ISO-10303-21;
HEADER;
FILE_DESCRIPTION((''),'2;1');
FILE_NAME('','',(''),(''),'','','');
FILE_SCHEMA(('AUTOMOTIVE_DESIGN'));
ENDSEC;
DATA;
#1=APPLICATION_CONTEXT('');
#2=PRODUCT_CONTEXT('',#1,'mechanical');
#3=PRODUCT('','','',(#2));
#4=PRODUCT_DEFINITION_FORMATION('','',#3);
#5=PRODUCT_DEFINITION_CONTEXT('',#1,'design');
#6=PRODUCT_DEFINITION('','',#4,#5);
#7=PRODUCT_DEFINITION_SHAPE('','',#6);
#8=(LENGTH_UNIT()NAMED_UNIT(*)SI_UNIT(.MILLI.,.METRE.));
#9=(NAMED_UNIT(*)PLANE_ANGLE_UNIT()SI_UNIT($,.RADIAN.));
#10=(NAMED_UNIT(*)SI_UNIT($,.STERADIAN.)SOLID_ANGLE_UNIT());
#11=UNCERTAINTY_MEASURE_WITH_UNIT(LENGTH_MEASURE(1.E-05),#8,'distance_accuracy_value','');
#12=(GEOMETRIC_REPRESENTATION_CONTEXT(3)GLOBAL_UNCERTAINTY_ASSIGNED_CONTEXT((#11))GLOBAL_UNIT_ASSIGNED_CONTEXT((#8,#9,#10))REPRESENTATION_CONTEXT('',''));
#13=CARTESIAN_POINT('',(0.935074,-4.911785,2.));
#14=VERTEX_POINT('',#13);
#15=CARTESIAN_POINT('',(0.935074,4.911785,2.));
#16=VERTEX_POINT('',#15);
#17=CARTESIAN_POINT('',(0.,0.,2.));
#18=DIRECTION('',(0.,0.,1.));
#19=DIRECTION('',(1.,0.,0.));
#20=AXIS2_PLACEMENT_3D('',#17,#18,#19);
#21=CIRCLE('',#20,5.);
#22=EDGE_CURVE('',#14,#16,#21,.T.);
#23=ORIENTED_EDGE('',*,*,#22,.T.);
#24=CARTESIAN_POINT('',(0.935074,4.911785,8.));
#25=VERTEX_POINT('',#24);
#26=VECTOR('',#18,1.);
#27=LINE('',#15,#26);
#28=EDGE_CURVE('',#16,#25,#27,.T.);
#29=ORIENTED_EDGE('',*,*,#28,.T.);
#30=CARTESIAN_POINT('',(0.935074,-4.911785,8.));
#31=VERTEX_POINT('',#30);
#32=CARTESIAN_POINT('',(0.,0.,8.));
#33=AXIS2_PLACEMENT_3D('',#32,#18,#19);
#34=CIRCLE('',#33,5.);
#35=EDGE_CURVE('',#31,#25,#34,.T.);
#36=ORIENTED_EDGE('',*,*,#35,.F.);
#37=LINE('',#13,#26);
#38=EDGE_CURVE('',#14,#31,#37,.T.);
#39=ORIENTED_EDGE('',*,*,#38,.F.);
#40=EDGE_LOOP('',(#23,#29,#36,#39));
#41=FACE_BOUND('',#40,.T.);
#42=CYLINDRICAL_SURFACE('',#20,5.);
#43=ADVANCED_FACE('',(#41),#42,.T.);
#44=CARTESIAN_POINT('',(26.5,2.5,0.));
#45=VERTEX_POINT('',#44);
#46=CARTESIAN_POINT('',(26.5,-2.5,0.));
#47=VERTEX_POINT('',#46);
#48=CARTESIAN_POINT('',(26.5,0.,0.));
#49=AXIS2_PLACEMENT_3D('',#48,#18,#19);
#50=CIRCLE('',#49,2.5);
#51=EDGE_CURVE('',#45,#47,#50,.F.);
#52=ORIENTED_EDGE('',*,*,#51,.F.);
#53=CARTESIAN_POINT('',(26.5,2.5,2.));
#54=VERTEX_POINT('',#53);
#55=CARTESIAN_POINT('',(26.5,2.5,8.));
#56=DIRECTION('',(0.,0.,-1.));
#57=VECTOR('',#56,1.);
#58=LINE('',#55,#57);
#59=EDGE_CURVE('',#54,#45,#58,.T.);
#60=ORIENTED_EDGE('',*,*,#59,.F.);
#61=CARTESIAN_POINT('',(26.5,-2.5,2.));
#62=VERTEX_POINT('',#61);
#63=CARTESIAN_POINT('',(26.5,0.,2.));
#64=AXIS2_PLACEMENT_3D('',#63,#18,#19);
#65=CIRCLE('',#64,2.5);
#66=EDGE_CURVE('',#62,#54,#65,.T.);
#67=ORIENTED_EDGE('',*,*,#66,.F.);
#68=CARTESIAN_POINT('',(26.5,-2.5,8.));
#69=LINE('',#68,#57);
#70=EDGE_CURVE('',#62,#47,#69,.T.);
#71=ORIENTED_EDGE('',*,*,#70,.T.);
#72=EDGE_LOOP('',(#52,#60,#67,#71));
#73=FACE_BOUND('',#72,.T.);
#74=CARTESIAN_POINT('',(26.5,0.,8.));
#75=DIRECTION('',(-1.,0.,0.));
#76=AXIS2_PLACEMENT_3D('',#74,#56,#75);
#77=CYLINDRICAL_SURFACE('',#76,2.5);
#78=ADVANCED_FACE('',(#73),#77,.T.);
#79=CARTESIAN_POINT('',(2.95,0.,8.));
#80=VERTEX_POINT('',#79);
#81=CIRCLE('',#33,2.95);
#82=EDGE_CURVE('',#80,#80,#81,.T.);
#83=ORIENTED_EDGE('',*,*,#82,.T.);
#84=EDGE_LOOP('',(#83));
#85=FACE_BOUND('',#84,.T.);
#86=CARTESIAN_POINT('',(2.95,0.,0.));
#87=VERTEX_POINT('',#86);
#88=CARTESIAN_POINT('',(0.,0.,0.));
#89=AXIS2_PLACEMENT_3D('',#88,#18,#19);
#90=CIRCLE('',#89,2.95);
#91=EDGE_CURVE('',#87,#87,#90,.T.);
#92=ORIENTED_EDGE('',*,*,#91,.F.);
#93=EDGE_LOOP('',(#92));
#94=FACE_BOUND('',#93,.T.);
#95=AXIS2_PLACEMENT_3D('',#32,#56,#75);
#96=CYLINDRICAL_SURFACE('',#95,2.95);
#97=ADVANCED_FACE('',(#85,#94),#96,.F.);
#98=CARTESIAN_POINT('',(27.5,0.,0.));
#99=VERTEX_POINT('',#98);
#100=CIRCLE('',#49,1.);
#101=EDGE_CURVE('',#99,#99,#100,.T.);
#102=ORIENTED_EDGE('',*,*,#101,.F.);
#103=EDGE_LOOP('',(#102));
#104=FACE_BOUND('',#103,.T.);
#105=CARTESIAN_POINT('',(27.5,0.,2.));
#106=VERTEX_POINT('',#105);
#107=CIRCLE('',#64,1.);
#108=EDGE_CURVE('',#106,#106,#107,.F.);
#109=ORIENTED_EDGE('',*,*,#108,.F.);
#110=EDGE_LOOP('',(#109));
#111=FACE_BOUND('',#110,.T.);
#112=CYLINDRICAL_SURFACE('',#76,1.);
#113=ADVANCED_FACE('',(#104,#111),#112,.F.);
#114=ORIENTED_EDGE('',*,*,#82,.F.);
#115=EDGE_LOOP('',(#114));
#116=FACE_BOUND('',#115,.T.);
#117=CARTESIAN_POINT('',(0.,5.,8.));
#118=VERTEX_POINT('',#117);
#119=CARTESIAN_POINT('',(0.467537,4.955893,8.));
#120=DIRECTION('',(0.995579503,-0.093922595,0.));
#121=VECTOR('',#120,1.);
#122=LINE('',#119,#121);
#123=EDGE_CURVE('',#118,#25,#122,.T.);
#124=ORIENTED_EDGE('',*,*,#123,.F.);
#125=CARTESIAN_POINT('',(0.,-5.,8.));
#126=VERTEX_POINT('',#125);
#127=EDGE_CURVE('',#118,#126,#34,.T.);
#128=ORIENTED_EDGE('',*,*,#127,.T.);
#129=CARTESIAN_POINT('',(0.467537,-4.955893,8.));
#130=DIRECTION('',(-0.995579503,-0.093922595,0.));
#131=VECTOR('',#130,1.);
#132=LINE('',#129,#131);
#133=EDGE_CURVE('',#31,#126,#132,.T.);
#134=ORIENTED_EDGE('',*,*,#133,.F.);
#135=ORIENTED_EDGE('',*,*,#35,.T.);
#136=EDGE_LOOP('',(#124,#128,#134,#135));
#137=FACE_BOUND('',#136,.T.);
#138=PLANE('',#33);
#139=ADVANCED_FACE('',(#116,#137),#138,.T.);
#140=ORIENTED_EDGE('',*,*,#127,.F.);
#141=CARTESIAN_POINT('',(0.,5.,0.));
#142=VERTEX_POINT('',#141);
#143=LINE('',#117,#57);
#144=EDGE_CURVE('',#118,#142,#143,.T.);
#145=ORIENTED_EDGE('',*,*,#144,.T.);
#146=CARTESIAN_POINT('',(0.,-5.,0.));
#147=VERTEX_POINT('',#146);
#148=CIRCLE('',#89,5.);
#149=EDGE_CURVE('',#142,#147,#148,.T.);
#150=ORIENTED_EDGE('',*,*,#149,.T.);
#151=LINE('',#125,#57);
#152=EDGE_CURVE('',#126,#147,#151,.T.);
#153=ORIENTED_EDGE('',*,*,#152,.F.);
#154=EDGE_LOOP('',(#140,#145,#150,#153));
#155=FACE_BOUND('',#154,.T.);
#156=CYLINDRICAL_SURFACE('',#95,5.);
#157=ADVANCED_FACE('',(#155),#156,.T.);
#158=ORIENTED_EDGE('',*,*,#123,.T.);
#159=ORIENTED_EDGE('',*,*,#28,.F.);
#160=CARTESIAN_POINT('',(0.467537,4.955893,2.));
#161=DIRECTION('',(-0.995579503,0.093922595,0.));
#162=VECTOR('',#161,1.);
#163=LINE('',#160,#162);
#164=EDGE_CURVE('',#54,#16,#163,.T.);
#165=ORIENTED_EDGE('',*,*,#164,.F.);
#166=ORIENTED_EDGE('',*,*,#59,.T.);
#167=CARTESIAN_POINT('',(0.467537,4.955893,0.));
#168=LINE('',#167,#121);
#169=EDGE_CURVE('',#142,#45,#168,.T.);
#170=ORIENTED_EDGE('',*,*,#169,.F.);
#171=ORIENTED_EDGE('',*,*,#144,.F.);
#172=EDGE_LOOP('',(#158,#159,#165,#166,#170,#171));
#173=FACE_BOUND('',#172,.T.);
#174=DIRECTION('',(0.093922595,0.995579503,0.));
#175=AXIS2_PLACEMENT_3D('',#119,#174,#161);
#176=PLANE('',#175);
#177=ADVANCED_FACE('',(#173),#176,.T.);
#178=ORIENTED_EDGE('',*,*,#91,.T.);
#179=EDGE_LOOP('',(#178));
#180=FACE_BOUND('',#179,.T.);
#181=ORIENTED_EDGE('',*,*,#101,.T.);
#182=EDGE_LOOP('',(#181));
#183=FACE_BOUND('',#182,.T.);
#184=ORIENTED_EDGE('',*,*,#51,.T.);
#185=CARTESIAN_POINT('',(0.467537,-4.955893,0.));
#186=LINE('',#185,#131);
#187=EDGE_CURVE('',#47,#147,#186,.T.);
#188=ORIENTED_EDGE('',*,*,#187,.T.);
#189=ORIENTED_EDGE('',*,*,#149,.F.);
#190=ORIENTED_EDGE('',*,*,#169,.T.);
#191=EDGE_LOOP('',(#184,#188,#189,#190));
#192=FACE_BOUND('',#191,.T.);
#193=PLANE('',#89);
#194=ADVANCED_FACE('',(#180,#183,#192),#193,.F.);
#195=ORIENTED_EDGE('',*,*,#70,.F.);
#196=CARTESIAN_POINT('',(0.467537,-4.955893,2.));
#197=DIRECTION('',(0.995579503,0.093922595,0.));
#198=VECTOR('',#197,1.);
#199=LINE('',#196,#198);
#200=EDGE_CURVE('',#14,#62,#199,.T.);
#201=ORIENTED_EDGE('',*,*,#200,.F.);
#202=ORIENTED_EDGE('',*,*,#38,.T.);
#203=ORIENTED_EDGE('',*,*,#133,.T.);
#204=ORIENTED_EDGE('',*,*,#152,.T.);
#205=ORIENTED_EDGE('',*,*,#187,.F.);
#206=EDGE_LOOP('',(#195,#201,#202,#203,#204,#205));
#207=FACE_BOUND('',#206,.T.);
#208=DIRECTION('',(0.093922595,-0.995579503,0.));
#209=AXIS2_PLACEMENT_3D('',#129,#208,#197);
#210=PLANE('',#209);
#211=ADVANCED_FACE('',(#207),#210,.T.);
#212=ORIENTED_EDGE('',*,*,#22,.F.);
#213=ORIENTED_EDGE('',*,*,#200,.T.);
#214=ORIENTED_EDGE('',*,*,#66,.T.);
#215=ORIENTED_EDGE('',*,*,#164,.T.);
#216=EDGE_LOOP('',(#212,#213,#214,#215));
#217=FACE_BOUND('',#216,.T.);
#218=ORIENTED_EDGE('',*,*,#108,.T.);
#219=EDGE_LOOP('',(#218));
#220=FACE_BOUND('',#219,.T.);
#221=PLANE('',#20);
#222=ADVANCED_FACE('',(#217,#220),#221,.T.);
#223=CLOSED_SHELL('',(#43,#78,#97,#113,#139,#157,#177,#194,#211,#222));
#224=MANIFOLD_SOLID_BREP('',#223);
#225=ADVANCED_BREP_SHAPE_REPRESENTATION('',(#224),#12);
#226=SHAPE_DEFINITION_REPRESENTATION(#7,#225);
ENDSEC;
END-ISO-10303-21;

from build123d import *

# Parameters (mm, degrees)
ESQUISSE1_R             = 2.95
ESQUISSE1_R_2           = 1
BOSS_EXTRU_1_DEPTH      = 8
ENL_V_START             = -6
ENL_V_MAT_EXTRU_1_DEPTH = 6


with BuildPart() as part:
    # Esquisse1 → Boss.-Extru.1 (new body)
    with BuildSketch(Plane.XY):
        with BuildLine():
            Line((0, 5), (26.5, 2.5))
            ThreePointArc((26.5, 2.5), (29, 0), (26.5, -2.5))
            Line((26.5, -2.5), (0, -5))
            ThreePointArc((0, -5), (-5, 0), (0, 5))
        make_face()
        Circle(ESQUISSE1_R, mode=Mode.SUBTRACT)
        with Locations((26.5, 0)):
            Circle(ESQUISSE1_R_2, mode=Mode.SUBTRACT)
    extrude(amount=BOSS_EXTRU_1_DEPTH)

    # Esquisse2 → Enlèv. mat.-Extru.1 (cut)
    with BuildSketch(Plane.XY.offset(8).offset(ENL_V_START)):
        with BuildLine():
            Line((26.5, 2.5), (0.9350741, 4.911785462))
            ThreePointArc((0.9350741, 4.911785462), (3.851971606, 3.18783857), (5, 0))
            ThreePointArc((5, 0), (3.851971606, -3.18783857), (0.9350741, -4.911785462))
            Line((0.9350741, -4.911785462), (26.5, -2.5))
            ThreePointArc((26.5, -2.5), (24, 0), (26.5, 2.5))
        make_face()
        with BuildLine():
            ThreePointArc((29, 0), (28.348574488, 1.683084182), (26.73378211, 2.489045183))
            Line((26.73378211, 2.489045183), (26.663377196, 0.986563679))
            ThreePointArc((26.663377196, 0.986563679), (27.262685124, 0.646769976), (27.5, 0))
            ThreePointArc((27.5, 0), (27.231575326, -0.68176062), (26.570404914, -0.997518495))
            Line((26.570404914, -0.997518495), (26.5, -2.5))
            ThreePointArc((26.5, -2.5), (28.267766953, -1.767766953), (29, 0))
        make_face()
        with BuildLine():
            Line((26.663377196, 0.986563679), (26.73378211, 2.489045183))
            ThreePointArc((26.73378211, 2.489045183), (26.617019318, 2.497259794), (26.5, 2.5))
            ThreePointArc((26.5, 2.5), (24, 0), (26.5, -2.5))
            Line((26.5, -2.5), (26.570404914, -0.997518495))
            ThreePointArc((26.570404914, -0.997518495), (25.501096082, 0.046807727), (26.663377196, 0.986563679))
        make_face()
    extrude(amount=ENL_V_MAT_EXTRU_1_DEPTH, mode=Mode.SUBTRACT)


solid = part.part
